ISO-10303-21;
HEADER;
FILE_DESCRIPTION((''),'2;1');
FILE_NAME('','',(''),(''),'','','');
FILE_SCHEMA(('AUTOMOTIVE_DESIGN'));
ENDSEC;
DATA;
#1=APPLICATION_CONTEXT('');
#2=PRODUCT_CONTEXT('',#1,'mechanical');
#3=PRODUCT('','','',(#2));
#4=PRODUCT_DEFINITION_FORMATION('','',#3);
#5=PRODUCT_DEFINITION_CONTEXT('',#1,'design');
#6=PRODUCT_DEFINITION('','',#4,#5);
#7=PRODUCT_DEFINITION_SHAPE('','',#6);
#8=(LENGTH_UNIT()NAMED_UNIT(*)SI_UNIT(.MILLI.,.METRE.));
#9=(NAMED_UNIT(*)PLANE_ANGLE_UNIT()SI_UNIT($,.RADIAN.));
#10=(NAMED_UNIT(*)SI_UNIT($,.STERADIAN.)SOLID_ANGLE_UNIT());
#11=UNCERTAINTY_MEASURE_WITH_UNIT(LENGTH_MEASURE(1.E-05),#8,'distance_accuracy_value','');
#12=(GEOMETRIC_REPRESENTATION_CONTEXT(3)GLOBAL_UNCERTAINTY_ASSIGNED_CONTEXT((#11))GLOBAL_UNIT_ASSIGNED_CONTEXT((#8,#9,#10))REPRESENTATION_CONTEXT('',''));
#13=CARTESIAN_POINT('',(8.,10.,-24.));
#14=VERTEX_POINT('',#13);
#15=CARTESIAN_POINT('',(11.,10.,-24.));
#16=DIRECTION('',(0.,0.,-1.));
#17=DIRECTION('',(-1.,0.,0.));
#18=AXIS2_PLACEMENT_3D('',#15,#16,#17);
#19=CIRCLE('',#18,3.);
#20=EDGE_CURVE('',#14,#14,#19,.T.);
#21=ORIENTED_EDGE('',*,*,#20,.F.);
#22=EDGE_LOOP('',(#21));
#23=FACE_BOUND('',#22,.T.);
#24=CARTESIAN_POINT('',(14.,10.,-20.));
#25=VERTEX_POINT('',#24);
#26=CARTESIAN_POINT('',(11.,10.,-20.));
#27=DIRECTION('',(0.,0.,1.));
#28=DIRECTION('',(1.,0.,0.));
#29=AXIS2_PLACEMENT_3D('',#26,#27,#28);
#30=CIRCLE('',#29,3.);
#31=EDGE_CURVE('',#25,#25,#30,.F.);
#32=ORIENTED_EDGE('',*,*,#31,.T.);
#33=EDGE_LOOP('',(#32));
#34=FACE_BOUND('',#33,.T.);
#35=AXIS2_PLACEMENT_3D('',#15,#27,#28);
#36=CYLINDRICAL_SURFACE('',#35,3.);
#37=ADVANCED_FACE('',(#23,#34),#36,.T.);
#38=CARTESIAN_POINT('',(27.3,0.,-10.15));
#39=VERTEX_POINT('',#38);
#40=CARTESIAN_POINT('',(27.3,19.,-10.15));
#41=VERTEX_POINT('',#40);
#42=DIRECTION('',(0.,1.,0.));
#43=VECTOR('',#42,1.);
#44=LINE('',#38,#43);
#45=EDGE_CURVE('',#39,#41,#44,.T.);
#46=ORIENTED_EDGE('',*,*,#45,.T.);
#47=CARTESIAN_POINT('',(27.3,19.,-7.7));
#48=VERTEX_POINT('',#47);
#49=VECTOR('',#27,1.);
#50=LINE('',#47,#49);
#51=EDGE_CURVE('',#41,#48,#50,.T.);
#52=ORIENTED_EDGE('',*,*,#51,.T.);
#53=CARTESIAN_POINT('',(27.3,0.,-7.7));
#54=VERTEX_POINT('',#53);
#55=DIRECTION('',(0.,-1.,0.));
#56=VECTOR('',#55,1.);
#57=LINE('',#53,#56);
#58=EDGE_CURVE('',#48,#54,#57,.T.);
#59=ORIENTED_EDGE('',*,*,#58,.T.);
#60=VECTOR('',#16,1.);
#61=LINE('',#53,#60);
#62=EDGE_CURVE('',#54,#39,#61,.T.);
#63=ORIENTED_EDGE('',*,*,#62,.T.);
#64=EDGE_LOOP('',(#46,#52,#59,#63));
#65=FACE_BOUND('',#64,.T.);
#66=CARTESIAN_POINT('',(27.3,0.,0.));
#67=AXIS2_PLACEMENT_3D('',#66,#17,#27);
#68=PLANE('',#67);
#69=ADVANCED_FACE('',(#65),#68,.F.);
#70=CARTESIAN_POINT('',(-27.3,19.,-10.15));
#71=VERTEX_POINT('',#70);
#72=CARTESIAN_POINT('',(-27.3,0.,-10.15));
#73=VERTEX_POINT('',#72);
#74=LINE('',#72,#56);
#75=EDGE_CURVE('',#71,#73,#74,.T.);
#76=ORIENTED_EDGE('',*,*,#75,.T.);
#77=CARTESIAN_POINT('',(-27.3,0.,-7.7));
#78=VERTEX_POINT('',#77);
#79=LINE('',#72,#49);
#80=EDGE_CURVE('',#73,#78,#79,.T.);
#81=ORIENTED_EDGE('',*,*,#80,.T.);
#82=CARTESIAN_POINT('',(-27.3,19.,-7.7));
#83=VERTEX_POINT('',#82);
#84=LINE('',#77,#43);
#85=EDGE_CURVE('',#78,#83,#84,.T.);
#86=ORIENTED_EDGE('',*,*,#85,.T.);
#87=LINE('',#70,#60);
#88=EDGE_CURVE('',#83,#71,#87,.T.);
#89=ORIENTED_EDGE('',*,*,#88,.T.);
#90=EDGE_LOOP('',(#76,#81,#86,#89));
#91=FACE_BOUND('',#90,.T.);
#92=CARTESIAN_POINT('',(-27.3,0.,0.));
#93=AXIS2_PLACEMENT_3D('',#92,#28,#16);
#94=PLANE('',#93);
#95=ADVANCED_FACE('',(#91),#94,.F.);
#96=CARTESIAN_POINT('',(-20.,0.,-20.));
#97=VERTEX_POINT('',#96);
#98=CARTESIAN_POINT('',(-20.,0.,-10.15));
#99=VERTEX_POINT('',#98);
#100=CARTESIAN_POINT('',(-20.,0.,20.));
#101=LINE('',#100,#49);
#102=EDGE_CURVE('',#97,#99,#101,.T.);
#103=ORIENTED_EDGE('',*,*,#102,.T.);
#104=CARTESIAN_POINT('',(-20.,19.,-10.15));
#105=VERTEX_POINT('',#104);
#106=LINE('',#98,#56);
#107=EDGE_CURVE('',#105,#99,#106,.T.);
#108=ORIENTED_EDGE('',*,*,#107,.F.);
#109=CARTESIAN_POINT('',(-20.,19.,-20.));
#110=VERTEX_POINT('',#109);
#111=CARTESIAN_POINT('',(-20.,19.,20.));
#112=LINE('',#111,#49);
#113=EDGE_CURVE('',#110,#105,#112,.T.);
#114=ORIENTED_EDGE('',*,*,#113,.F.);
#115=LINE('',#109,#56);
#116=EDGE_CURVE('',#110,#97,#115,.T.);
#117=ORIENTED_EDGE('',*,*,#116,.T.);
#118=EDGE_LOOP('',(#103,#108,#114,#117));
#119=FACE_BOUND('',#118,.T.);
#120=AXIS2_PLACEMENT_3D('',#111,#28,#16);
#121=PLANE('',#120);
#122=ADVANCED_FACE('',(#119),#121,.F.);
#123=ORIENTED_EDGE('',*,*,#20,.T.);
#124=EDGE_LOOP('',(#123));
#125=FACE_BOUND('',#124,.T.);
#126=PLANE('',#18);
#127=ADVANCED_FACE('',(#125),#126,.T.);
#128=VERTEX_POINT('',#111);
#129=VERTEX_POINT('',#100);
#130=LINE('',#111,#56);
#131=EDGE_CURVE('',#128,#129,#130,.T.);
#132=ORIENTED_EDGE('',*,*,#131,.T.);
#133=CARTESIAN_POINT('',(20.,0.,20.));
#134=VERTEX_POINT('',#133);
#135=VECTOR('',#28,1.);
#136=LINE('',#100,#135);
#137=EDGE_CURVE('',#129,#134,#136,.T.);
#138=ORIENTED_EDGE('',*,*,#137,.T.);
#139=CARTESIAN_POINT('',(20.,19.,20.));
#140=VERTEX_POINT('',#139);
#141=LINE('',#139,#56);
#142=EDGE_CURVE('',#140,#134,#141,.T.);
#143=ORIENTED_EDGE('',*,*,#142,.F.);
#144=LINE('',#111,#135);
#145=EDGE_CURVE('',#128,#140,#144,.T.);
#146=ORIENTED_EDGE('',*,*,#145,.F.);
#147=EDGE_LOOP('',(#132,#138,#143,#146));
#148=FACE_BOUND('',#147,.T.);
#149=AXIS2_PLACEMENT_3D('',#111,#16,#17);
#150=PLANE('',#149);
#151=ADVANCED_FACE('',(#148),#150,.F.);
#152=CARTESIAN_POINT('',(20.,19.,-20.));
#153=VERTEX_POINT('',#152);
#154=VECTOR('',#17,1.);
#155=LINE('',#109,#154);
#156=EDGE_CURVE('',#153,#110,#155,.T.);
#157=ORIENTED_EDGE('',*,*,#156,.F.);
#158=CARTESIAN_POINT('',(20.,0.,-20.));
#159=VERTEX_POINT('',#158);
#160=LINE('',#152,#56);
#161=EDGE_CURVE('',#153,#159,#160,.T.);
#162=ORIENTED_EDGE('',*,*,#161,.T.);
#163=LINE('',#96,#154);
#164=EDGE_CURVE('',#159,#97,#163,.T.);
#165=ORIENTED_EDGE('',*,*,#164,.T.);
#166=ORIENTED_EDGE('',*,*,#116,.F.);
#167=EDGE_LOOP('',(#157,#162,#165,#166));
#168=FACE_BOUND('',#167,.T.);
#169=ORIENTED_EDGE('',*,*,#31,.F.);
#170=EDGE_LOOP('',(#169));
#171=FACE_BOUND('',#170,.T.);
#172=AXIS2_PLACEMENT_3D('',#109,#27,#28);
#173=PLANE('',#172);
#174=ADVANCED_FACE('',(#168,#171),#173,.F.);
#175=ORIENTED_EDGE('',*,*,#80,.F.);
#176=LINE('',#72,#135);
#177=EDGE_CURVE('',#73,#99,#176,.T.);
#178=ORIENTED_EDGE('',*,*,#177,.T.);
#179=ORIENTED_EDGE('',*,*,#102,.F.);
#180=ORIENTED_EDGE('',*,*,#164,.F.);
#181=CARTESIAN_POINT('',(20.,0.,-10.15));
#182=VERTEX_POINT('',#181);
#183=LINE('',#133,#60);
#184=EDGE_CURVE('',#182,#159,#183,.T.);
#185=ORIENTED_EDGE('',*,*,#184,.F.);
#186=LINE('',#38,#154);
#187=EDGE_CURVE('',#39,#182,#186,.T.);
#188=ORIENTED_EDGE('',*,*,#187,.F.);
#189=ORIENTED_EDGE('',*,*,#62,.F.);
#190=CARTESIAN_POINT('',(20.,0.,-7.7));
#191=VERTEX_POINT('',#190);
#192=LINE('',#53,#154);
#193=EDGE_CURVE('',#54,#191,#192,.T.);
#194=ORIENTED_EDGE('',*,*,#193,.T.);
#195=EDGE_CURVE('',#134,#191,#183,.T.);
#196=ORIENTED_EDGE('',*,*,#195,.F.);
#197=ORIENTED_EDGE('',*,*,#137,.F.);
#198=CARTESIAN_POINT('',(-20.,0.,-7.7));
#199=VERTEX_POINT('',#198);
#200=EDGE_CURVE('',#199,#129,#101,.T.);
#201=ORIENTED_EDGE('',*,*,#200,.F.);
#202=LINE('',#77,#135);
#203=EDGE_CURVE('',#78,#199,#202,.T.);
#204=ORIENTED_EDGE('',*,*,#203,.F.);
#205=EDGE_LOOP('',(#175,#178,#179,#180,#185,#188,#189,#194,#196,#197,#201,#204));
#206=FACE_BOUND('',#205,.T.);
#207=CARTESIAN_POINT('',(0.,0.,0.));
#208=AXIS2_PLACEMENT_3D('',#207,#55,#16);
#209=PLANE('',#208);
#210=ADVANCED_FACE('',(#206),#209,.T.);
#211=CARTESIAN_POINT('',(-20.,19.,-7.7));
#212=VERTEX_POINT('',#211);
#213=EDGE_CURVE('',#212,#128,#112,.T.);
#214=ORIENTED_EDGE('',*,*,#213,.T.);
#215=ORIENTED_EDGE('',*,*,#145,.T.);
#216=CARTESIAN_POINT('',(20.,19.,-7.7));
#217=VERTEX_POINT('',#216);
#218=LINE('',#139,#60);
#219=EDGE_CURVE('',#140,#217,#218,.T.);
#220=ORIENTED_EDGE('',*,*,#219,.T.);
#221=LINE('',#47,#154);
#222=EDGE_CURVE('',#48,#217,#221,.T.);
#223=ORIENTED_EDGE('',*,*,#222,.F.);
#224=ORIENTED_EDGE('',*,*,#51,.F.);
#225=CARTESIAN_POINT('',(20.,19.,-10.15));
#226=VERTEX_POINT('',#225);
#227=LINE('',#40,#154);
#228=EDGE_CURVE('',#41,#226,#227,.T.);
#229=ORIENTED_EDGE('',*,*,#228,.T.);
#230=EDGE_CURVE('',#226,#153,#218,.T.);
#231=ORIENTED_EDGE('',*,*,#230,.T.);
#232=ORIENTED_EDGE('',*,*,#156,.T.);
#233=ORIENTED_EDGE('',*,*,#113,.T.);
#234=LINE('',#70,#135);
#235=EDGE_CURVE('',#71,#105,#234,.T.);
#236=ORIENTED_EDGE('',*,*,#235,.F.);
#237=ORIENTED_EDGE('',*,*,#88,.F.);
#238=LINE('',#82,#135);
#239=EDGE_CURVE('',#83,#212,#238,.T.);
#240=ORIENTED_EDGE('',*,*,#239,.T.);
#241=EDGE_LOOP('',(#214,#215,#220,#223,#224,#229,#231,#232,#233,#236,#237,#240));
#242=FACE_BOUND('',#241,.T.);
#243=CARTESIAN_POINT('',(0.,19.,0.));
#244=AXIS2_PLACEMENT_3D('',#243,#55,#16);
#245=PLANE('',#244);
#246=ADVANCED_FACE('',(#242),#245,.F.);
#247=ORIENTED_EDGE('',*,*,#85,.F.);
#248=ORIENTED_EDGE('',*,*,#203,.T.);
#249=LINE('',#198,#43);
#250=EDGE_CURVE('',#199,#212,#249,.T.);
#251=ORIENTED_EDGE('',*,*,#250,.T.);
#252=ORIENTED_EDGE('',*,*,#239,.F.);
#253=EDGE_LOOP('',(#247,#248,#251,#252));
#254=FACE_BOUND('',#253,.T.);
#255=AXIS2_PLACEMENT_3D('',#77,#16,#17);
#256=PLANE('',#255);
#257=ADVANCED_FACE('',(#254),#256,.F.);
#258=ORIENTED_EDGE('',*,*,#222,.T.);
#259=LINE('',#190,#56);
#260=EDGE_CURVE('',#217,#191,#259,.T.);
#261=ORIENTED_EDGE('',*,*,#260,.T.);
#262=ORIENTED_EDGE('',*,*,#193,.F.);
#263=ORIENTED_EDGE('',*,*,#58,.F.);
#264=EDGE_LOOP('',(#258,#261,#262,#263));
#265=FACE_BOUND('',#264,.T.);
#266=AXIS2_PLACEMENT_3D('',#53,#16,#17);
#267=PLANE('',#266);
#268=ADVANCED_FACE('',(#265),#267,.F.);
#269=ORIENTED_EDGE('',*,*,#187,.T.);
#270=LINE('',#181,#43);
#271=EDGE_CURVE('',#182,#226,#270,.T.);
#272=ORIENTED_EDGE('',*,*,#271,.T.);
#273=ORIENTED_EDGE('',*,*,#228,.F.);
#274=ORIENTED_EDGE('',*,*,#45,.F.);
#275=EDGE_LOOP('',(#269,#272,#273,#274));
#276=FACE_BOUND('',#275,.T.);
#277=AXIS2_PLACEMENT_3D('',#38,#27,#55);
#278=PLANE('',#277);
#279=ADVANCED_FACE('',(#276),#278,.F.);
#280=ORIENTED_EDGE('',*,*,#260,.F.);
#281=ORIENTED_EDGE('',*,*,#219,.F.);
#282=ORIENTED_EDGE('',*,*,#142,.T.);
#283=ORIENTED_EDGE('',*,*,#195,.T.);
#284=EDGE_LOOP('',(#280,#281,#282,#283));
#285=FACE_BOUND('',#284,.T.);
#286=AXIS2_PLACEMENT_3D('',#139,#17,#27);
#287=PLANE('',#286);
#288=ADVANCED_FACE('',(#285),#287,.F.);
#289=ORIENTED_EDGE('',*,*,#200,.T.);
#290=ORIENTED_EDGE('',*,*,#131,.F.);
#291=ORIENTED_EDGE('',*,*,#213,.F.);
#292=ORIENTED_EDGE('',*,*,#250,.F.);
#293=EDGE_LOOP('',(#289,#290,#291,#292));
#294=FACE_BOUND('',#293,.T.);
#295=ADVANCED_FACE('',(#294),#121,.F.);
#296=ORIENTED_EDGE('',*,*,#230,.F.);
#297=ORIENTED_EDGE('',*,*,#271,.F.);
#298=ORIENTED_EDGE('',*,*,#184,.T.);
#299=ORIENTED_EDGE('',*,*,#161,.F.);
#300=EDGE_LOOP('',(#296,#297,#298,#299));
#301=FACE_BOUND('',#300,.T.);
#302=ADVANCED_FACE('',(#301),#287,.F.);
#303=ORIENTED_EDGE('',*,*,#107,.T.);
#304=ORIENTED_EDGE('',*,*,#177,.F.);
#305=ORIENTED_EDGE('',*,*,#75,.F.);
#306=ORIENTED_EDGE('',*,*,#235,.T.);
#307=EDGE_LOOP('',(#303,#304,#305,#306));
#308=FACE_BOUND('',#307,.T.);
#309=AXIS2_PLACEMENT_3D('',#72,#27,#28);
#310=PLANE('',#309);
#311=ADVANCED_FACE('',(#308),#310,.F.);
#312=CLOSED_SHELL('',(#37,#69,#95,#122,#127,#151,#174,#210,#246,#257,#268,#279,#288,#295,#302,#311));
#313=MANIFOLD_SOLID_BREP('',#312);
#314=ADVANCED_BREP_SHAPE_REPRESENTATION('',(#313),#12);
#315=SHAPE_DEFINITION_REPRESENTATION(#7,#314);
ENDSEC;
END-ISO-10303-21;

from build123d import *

# Parameters (mm, degrees)
SKETCH_1_W      = 40
SKETCH_1_H      = 40
EXTRUDE_1_DEPTH = 19
SKETCH_2_R      = 3
EXTRUDE_2_DEPTH = 4
SKETCH_3_W      = 2.45
SKETCH_3_H      = 19
EXTRUDE_3_DEPTH = 7.3
SKETCH_5_W      = 2.45
SKETCH_5_H      = 19
EXTRUDE_4_DEPTH = 7.3


with BuildPart() as part:
    # Эскиз1 → Бобышка-Вытянуть1 (new body)
    with BuildSketch(Plane(origin=(0, 0, 0), x_dir=(1, 0, 0), z_dir=(0, 1, 0))):
        Rectangle(SKETCH_1_W, SKETCH_1_H)
    extrude(amount=EXTRUDE_1_DEPTH)

    # Эскиз2 → Бобышка-Вытянуть2 (add)
    with BuildSketch(Plane(origin=(0, 0, -20), x_dir=(-1, 0, 0), z_dir=(0, 0, -1))):
        with Locations(Location((-11, 10, 0), (0, 0, 180))):
            Circle(SKETCH_2_R)
    extrude(amount=EXTRUDE_2_DEPTH)

    # Эскиз3 → Бобышка-Вытянуть3 (add)
    with BuildSketch(Plane(origin=(20, 0, 0), x_dir=(0, 0, -1), z_dir=(1, 0, 0))):
        with Locations((8.925, 9.5)):
            Rectangle(SKETCH_3_W, SKETCH_3_H)
    extrude(amount=EXTRUDE_3_DEPTH)

    # Эскиз5 → Бобышка-Вытянуть4 (add)
    with BuildSketch(Plane.ZY.offset(20)):
        with Locations((-8.925, 9.5)):
            Rectangle(SKETCH_5_W, SKETCH_5_H)
    extrude(amount=EXTRUDE_4_DEPTH)


solid = part.part
